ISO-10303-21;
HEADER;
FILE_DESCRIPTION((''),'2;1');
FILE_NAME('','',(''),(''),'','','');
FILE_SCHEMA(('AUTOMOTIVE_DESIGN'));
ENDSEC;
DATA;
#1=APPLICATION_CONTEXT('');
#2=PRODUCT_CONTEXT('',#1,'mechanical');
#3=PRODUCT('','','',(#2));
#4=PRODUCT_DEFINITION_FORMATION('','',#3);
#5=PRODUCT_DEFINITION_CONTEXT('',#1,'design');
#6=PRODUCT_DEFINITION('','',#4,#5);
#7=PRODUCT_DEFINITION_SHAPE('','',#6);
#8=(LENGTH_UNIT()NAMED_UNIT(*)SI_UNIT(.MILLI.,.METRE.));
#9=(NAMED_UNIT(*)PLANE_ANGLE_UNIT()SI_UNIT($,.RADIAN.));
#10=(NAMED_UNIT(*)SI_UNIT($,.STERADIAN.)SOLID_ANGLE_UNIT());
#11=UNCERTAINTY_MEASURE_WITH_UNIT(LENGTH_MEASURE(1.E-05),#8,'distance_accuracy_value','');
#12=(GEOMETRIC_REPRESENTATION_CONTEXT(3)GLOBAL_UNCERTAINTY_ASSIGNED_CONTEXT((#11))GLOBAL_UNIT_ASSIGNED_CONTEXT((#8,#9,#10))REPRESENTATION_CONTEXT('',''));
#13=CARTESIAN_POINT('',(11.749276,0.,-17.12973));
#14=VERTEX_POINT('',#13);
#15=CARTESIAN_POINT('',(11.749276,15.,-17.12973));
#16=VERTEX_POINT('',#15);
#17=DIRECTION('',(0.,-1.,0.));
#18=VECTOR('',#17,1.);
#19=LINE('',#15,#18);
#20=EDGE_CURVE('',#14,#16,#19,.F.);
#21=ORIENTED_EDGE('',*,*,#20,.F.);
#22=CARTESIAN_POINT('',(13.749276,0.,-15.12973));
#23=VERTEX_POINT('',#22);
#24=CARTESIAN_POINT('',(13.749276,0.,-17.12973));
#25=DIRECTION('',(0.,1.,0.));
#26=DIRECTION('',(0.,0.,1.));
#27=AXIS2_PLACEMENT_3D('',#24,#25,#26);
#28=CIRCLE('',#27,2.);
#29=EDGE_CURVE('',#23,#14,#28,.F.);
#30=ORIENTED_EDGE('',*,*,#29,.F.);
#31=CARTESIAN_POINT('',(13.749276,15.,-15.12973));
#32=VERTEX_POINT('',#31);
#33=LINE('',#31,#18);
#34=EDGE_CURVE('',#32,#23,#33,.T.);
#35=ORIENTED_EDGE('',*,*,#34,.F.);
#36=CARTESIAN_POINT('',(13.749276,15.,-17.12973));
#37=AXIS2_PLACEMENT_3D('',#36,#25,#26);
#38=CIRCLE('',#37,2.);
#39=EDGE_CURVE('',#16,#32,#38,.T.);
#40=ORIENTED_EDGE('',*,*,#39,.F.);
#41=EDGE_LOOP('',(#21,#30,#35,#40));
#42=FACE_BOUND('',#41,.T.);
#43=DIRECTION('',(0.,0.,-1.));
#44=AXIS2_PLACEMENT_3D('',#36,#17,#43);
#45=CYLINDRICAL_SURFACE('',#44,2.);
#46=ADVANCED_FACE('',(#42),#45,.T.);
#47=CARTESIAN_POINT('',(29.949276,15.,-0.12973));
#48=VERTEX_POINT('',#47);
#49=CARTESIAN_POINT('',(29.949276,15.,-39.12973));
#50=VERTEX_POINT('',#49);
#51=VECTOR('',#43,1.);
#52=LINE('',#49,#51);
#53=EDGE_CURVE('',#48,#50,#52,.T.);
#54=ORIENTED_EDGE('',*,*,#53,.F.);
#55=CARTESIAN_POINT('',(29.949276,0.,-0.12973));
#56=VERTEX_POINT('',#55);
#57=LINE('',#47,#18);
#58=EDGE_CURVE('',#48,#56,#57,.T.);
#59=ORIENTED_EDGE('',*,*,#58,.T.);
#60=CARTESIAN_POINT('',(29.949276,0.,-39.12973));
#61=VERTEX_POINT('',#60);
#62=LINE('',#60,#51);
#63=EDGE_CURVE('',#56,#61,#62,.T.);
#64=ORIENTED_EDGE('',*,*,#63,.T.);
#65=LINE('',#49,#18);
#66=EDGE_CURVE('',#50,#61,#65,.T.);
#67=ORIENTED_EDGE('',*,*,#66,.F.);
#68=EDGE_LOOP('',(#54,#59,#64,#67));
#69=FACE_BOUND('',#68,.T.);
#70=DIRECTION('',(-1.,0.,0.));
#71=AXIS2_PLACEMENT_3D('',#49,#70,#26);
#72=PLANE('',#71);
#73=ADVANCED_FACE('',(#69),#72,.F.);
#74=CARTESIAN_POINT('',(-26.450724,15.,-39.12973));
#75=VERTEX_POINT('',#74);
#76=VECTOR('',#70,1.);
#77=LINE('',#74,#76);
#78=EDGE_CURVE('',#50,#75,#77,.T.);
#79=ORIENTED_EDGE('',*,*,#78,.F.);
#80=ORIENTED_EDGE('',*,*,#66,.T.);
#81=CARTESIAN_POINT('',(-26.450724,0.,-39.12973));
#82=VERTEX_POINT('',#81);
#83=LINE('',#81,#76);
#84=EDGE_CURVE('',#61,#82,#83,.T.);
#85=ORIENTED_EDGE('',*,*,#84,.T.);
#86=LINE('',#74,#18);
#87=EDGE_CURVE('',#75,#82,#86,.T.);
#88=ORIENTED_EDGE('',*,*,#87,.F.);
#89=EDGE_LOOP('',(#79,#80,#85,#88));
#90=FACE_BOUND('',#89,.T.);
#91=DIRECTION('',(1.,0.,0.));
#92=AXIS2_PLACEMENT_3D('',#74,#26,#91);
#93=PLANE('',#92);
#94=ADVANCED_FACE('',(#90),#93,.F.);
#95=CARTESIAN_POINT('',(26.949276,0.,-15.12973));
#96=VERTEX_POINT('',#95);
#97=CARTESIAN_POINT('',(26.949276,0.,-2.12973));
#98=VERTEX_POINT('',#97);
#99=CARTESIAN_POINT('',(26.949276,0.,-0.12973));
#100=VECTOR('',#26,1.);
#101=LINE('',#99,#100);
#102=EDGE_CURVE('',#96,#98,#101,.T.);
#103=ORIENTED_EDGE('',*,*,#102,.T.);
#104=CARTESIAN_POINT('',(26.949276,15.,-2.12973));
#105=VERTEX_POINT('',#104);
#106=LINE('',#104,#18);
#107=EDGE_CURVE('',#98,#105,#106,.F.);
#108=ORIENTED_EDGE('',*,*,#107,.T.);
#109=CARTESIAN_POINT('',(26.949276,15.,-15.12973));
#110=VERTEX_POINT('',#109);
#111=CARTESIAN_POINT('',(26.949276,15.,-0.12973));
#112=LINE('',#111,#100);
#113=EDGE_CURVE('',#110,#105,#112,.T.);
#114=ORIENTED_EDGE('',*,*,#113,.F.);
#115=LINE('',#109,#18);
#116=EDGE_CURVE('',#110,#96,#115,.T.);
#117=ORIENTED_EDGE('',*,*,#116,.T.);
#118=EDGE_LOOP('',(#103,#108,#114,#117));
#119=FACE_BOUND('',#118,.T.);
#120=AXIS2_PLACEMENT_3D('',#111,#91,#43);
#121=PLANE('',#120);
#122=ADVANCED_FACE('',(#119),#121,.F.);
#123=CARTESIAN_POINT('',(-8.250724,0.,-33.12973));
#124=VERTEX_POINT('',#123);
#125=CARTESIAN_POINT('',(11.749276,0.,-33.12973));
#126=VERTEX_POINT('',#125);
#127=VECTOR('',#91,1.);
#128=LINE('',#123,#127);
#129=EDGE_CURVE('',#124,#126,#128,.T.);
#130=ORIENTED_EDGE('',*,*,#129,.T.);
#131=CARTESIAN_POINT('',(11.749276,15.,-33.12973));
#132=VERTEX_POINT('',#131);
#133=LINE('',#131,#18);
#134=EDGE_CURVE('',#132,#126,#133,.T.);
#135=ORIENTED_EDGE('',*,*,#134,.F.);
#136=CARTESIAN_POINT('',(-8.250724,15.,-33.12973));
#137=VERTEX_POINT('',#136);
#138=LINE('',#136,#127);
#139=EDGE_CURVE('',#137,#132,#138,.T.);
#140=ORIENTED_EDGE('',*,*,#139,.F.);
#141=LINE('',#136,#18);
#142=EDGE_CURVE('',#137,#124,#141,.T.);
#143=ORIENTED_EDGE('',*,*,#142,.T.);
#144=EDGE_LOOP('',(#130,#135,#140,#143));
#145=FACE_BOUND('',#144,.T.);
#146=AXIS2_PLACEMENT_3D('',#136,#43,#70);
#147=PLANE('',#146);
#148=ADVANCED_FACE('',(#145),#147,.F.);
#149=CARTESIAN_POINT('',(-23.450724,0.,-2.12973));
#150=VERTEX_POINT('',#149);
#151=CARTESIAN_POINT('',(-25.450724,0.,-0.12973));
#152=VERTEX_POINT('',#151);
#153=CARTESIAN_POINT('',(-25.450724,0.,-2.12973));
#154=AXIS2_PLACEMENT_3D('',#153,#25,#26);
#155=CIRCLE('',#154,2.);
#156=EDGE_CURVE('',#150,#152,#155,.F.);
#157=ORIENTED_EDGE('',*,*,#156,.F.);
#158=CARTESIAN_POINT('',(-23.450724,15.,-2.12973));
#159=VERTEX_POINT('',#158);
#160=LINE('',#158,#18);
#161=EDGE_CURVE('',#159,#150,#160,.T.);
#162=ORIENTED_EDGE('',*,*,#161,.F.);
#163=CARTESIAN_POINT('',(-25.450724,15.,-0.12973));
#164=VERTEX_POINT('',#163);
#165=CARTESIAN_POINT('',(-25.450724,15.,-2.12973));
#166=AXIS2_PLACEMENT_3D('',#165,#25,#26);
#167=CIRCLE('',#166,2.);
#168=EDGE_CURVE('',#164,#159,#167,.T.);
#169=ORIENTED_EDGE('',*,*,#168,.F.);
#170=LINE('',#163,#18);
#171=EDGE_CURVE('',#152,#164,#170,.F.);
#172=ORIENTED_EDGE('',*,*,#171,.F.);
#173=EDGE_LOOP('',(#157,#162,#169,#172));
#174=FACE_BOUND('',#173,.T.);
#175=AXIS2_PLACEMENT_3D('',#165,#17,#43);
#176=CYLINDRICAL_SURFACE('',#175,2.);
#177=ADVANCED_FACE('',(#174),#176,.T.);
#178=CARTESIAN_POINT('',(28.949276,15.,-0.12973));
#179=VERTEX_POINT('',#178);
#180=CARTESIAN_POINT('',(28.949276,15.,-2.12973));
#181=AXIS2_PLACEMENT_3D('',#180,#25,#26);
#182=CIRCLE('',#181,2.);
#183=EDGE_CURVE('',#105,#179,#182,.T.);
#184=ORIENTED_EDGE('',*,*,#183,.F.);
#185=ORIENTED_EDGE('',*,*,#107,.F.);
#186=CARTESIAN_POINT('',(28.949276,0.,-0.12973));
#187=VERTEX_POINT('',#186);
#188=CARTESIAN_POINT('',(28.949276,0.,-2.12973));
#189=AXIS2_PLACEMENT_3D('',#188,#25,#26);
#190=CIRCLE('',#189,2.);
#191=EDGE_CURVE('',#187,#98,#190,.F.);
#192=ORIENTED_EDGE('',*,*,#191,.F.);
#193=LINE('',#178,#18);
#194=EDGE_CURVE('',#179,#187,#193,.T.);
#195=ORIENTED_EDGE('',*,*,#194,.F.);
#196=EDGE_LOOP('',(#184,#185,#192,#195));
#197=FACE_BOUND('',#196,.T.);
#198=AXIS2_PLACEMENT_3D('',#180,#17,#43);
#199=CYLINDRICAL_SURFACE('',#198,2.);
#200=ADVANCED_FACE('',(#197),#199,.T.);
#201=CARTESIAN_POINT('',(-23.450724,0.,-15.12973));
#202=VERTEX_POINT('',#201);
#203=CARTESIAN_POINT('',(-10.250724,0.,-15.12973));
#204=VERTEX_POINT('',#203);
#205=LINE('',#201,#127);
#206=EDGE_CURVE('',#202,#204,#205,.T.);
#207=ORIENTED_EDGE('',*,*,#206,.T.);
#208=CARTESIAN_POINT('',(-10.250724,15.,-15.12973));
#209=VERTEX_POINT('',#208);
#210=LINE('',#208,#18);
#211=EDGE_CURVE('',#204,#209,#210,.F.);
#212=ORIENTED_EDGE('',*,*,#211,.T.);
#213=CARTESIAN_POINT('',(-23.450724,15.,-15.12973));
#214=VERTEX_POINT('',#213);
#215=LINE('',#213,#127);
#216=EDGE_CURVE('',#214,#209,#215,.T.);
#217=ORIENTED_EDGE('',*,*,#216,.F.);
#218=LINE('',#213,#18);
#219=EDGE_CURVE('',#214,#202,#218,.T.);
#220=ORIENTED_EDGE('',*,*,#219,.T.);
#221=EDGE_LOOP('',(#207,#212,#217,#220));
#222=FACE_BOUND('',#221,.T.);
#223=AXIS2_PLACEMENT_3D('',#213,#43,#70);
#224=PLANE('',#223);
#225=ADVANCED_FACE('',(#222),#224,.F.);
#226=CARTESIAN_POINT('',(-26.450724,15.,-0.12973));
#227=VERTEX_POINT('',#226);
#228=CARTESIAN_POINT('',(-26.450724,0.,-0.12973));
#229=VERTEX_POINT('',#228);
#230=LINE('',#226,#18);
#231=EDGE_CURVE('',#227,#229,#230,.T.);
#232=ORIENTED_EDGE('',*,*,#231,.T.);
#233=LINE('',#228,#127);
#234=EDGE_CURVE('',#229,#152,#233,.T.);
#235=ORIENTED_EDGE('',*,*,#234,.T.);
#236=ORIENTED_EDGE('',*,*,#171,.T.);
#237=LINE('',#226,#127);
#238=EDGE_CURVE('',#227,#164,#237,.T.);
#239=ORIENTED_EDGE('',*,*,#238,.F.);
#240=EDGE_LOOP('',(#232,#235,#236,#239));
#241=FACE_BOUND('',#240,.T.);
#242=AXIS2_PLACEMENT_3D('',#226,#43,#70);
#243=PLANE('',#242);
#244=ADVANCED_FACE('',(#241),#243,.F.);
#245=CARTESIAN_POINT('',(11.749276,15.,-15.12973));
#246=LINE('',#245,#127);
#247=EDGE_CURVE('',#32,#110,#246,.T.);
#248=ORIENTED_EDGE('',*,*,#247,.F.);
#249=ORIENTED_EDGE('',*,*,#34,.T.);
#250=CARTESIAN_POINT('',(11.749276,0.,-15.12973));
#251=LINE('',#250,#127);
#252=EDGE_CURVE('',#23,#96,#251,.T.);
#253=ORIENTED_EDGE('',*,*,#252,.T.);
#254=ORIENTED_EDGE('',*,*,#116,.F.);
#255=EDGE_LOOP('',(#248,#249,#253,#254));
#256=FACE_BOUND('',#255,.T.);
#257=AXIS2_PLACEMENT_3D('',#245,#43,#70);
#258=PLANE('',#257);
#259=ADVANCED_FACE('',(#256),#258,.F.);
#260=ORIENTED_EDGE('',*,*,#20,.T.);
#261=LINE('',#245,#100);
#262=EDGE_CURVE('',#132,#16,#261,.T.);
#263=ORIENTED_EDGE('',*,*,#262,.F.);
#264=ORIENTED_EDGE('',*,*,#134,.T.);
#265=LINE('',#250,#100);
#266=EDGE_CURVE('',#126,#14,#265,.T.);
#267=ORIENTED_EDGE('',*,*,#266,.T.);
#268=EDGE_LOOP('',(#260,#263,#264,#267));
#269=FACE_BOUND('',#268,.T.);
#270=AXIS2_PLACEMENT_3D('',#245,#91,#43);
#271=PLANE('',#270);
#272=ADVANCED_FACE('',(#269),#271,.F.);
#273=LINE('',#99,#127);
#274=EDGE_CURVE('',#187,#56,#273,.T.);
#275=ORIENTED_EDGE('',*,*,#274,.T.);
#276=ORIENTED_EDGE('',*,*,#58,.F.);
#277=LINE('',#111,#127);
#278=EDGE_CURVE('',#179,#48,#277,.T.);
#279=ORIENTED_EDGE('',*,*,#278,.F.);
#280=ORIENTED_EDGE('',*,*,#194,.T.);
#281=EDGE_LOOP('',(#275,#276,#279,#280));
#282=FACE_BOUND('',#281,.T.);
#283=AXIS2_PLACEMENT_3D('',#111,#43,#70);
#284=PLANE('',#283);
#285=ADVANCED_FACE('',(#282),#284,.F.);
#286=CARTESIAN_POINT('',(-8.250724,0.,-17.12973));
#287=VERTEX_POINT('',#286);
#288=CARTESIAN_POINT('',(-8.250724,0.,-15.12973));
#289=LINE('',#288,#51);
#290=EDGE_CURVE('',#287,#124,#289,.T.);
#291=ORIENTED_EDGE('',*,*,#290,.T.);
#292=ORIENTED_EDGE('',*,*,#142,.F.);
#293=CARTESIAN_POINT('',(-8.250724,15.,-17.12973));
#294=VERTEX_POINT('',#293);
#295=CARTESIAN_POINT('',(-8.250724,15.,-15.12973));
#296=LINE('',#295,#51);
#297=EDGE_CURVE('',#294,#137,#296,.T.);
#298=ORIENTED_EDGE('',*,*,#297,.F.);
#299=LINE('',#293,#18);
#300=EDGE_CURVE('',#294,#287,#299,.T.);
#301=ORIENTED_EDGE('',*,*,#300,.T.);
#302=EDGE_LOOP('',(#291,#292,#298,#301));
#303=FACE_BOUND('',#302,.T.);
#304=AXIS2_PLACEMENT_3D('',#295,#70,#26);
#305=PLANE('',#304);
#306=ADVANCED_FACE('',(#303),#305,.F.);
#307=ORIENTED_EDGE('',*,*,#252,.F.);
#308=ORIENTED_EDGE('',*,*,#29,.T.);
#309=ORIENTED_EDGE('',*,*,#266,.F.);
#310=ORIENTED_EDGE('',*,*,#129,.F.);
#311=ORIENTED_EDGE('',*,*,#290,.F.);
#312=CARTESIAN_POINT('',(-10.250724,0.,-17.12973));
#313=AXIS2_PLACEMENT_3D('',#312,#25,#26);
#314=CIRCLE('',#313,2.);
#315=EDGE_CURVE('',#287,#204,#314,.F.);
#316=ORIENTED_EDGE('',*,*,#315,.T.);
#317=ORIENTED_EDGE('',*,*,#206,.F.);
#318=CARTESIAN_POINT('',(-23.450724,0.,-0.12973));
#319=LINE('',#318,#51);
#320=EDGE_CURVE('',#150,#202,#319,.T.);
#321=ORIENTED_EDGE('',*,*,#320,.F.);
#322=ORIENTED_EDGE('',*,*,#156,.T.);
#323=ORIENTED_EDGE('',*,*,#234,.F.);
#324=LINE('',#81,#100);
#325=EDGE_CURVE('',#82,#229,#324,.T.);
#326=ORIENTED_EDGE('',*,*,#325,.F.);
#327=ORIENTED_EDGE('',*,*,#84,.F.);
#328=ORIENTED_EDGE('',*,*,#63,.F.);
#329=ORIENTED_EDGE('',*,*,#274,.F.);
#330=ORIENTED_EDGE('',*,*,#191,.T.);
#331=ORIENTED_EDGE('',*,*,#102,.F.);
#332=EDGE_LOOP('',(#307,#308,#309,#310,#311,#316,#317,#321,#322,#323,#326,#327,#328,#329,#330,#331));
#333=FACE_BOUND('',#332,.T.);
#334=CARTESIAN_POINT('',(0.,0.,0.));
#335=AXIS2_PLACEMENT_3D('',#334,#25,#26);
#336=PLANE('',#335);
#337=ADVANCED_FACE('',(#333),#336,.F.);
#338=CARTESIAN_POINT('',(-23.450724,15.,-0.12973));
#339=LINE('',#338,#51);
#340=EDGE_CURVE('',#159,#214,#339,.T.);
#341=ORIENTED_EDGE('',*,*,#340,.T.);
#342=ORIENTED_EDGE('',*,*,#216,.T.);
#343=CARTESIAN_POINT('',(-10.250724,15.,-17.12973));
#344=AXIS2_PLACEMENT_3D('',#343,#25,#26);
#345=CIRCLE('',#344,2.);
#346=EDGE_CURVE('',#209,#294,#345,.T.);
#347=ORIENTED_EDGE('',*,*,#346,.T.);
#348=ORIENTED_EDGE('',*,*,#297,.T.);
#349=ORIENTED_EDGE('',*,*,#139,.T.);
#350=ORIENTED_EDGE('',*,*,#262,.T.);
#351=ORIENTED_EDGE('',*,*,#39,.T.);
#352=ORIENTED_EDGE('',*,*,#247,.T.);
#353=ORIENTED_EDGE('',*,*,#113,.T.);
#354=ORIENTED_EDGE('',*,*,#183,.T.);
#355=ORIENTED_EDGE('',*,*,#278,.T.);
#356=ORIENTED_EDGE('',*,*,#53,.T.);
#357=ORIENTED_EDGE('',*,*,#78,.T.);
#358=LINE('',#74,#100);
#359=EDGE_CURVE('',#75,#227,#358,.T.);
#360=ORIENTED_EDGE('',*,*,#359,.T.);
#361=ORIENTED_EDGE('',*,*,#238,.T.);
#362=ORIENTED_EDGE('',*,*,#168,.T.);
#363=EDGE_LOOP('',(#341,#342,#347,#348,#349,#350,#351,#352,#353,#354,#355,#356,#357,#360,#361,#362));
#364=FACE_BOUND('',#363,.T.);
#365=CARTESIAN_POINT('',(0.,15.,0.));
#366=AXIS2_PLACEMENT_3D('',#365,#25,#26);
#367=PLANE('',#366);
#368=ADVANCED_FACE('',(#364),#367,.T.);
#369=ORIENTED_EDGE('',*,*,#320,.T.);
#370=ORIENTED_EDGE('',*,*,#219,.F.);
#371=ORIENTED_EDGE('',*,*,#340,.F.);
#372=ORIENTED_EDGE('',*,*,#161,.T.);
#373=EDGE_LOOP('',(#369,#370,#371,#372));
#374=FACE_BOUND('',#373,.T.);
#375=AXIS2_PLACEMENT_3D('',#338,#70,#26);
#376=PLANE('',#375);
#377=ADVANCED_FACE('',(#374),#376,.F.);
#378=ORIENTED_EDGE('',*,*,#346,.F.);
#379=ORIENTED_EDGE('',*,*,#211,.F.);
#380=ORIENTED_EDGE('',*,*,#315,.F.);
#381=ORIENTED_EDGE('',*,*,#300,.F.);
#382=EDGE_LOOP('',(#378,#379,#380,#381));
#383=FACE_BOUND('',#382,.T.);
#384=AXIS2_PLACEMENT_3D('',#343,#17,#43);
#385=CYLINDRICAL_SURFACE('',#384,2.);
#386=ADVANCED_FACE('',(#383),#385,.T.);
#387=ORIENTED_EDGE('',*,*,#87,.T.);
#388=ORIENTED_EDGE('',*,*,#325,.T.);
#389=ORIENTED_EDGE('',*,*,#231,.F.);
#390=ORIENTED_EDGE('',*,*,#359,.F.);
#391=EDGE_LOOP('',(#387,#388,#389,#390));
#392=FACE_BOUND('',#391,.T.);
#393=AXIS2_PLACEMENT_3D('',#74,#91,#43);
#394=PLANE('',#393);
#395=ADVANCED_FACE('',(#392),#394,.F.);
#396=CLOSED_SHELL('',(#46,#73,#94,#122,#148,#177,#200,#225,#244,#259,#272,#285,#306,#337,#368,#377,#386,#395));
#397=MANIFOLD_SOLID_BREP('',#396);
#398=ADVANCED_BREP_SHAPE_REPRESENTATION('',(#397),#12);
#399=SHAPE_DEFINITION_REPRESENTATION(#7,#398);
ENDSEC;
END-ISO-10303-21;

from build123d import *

# Parameters (mm, degrees)
BOSS_EXTRUDE1_DEPTH = 15
FILLET2_R           = 2


with BuildPart() as part:
    # Sketch1 → Boss-Extrude1 (new body)
    with BuildSketch(Plane(origin=(0, 0, 0), x_dir=(1, 0, 0), z_dir=(0, 1, 0))):
        Polygon((26.949275536, 0.12972973), (29.949275536, 0.12972973), (29.949275536, 39.12972973), (-26.450724464, 39.12972973), (-26.450724464, 0.12972973), (-23.450724464, 0.12972973), (-23.450724464, 15.12972973), (-8.250724464, 15.12972973), (-8.250724464, 33.12972973), (11.749275536, 33.12972973), (11.749275536, 15.12972973), (26.949275536, 15.12972973), align=None)
    extrude(amount=BOSS_EXTRUDE1_DEPTH)

    # Fillet2
    fillet2_edges = [part.edges().sort_by_distance(p)[0] for p in [
        (26.949275536, 7.5, -0.12972973),
        (11.749275536, 7.5, -15.12972973),
        (-8.250724464, 7.5, -15.12972973),
        (-23.450724464, 7.5, -0.12972973),
    ]]
    fillet(fillet2_edges, radius=FILLET2_R)


solid = part.part
